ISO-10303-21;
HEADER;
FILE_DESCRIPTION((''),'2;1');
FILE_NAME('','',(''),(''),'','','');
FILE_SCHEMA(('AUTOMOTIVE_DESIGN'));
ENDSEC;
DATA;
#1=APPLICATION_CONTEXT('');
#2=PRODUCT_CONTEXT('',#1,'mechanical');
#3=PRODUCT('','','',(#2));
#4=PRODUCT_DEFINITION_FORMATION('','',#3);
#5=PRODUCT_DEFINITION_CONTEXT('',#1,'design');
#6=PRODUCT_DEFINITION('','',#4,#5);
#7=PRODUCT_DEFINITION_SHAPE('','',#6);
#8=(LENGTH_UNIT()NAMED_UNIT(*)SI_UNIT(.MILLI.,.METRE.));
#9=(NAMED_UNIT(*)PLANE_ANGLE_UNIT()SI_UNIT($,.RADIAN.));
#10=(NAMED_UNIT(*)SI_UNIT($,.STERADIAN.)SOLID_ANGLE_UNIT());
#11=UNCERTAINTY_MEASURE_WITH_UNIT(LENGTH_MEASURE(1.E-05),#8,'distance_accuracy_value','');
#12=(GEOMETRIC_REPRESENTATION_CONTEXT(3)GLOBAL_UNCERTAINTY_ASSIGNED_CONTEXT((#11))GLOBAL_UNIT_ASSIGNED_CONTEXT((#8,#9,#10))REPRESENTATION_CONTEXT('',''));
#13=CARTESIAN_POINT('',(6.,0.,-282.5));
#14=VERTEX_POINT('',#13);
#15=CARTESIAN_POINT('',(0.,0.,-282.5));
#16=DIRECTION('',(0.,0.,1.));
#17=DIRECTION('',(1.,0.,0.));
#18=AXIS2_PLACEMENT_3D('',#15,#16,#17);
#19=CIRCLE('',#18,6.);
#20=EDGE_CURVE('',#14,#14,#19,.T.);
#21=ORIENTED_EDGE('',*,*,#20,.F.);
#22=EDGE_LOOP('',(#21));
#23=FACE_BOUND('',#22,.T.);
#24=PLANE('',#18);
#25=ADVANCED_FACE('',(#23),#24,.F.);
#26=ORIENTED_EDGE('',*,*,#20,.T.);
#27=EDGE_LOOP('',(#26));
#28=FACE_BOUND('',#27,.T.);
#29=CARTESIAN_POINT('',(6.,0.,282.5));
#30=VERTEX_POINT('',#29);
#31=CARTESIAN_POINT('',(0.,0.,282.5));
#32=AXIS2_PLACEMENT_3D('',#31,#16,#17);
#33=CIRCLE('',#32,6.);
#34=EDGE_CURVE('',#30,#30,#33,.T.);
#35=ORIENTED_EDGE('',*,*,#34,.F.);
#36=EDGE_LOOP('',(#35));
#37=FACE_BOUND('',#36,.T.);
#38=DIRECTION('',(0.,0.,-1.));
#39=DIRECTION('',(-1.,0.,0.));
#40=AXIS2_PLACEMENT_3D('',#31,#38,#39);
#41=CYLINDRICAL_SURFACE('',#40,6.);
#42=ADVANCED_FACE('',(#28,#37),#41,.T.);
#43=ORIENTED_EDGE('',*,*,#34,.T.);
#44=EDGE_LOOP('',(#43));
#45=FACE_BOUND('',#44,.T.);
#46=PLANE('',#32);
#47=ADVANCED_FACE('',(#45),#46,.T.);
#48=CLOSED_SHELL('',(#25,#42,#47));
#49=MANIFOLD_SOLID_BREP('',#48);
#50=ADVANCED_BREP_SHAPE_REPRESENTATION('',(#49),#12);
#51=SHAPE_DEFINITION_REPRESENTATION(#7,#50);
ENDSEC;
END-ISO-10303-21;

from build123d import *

# Parameters (mm, degrees)
SKETCH_1_R      = 6
EXTRUDE_1_DEPTH = 282.5


with BuildPart() as part:
    # Эскиз1 → Бобышка-Вытянуть1 (new, symmetric)
    with BuildSketch(Plane.XY):
        Circle(SKETCH_1_R)
    extrude(amount=EXTRUDE_1_DEPTH, both=True)


solid = part.part
